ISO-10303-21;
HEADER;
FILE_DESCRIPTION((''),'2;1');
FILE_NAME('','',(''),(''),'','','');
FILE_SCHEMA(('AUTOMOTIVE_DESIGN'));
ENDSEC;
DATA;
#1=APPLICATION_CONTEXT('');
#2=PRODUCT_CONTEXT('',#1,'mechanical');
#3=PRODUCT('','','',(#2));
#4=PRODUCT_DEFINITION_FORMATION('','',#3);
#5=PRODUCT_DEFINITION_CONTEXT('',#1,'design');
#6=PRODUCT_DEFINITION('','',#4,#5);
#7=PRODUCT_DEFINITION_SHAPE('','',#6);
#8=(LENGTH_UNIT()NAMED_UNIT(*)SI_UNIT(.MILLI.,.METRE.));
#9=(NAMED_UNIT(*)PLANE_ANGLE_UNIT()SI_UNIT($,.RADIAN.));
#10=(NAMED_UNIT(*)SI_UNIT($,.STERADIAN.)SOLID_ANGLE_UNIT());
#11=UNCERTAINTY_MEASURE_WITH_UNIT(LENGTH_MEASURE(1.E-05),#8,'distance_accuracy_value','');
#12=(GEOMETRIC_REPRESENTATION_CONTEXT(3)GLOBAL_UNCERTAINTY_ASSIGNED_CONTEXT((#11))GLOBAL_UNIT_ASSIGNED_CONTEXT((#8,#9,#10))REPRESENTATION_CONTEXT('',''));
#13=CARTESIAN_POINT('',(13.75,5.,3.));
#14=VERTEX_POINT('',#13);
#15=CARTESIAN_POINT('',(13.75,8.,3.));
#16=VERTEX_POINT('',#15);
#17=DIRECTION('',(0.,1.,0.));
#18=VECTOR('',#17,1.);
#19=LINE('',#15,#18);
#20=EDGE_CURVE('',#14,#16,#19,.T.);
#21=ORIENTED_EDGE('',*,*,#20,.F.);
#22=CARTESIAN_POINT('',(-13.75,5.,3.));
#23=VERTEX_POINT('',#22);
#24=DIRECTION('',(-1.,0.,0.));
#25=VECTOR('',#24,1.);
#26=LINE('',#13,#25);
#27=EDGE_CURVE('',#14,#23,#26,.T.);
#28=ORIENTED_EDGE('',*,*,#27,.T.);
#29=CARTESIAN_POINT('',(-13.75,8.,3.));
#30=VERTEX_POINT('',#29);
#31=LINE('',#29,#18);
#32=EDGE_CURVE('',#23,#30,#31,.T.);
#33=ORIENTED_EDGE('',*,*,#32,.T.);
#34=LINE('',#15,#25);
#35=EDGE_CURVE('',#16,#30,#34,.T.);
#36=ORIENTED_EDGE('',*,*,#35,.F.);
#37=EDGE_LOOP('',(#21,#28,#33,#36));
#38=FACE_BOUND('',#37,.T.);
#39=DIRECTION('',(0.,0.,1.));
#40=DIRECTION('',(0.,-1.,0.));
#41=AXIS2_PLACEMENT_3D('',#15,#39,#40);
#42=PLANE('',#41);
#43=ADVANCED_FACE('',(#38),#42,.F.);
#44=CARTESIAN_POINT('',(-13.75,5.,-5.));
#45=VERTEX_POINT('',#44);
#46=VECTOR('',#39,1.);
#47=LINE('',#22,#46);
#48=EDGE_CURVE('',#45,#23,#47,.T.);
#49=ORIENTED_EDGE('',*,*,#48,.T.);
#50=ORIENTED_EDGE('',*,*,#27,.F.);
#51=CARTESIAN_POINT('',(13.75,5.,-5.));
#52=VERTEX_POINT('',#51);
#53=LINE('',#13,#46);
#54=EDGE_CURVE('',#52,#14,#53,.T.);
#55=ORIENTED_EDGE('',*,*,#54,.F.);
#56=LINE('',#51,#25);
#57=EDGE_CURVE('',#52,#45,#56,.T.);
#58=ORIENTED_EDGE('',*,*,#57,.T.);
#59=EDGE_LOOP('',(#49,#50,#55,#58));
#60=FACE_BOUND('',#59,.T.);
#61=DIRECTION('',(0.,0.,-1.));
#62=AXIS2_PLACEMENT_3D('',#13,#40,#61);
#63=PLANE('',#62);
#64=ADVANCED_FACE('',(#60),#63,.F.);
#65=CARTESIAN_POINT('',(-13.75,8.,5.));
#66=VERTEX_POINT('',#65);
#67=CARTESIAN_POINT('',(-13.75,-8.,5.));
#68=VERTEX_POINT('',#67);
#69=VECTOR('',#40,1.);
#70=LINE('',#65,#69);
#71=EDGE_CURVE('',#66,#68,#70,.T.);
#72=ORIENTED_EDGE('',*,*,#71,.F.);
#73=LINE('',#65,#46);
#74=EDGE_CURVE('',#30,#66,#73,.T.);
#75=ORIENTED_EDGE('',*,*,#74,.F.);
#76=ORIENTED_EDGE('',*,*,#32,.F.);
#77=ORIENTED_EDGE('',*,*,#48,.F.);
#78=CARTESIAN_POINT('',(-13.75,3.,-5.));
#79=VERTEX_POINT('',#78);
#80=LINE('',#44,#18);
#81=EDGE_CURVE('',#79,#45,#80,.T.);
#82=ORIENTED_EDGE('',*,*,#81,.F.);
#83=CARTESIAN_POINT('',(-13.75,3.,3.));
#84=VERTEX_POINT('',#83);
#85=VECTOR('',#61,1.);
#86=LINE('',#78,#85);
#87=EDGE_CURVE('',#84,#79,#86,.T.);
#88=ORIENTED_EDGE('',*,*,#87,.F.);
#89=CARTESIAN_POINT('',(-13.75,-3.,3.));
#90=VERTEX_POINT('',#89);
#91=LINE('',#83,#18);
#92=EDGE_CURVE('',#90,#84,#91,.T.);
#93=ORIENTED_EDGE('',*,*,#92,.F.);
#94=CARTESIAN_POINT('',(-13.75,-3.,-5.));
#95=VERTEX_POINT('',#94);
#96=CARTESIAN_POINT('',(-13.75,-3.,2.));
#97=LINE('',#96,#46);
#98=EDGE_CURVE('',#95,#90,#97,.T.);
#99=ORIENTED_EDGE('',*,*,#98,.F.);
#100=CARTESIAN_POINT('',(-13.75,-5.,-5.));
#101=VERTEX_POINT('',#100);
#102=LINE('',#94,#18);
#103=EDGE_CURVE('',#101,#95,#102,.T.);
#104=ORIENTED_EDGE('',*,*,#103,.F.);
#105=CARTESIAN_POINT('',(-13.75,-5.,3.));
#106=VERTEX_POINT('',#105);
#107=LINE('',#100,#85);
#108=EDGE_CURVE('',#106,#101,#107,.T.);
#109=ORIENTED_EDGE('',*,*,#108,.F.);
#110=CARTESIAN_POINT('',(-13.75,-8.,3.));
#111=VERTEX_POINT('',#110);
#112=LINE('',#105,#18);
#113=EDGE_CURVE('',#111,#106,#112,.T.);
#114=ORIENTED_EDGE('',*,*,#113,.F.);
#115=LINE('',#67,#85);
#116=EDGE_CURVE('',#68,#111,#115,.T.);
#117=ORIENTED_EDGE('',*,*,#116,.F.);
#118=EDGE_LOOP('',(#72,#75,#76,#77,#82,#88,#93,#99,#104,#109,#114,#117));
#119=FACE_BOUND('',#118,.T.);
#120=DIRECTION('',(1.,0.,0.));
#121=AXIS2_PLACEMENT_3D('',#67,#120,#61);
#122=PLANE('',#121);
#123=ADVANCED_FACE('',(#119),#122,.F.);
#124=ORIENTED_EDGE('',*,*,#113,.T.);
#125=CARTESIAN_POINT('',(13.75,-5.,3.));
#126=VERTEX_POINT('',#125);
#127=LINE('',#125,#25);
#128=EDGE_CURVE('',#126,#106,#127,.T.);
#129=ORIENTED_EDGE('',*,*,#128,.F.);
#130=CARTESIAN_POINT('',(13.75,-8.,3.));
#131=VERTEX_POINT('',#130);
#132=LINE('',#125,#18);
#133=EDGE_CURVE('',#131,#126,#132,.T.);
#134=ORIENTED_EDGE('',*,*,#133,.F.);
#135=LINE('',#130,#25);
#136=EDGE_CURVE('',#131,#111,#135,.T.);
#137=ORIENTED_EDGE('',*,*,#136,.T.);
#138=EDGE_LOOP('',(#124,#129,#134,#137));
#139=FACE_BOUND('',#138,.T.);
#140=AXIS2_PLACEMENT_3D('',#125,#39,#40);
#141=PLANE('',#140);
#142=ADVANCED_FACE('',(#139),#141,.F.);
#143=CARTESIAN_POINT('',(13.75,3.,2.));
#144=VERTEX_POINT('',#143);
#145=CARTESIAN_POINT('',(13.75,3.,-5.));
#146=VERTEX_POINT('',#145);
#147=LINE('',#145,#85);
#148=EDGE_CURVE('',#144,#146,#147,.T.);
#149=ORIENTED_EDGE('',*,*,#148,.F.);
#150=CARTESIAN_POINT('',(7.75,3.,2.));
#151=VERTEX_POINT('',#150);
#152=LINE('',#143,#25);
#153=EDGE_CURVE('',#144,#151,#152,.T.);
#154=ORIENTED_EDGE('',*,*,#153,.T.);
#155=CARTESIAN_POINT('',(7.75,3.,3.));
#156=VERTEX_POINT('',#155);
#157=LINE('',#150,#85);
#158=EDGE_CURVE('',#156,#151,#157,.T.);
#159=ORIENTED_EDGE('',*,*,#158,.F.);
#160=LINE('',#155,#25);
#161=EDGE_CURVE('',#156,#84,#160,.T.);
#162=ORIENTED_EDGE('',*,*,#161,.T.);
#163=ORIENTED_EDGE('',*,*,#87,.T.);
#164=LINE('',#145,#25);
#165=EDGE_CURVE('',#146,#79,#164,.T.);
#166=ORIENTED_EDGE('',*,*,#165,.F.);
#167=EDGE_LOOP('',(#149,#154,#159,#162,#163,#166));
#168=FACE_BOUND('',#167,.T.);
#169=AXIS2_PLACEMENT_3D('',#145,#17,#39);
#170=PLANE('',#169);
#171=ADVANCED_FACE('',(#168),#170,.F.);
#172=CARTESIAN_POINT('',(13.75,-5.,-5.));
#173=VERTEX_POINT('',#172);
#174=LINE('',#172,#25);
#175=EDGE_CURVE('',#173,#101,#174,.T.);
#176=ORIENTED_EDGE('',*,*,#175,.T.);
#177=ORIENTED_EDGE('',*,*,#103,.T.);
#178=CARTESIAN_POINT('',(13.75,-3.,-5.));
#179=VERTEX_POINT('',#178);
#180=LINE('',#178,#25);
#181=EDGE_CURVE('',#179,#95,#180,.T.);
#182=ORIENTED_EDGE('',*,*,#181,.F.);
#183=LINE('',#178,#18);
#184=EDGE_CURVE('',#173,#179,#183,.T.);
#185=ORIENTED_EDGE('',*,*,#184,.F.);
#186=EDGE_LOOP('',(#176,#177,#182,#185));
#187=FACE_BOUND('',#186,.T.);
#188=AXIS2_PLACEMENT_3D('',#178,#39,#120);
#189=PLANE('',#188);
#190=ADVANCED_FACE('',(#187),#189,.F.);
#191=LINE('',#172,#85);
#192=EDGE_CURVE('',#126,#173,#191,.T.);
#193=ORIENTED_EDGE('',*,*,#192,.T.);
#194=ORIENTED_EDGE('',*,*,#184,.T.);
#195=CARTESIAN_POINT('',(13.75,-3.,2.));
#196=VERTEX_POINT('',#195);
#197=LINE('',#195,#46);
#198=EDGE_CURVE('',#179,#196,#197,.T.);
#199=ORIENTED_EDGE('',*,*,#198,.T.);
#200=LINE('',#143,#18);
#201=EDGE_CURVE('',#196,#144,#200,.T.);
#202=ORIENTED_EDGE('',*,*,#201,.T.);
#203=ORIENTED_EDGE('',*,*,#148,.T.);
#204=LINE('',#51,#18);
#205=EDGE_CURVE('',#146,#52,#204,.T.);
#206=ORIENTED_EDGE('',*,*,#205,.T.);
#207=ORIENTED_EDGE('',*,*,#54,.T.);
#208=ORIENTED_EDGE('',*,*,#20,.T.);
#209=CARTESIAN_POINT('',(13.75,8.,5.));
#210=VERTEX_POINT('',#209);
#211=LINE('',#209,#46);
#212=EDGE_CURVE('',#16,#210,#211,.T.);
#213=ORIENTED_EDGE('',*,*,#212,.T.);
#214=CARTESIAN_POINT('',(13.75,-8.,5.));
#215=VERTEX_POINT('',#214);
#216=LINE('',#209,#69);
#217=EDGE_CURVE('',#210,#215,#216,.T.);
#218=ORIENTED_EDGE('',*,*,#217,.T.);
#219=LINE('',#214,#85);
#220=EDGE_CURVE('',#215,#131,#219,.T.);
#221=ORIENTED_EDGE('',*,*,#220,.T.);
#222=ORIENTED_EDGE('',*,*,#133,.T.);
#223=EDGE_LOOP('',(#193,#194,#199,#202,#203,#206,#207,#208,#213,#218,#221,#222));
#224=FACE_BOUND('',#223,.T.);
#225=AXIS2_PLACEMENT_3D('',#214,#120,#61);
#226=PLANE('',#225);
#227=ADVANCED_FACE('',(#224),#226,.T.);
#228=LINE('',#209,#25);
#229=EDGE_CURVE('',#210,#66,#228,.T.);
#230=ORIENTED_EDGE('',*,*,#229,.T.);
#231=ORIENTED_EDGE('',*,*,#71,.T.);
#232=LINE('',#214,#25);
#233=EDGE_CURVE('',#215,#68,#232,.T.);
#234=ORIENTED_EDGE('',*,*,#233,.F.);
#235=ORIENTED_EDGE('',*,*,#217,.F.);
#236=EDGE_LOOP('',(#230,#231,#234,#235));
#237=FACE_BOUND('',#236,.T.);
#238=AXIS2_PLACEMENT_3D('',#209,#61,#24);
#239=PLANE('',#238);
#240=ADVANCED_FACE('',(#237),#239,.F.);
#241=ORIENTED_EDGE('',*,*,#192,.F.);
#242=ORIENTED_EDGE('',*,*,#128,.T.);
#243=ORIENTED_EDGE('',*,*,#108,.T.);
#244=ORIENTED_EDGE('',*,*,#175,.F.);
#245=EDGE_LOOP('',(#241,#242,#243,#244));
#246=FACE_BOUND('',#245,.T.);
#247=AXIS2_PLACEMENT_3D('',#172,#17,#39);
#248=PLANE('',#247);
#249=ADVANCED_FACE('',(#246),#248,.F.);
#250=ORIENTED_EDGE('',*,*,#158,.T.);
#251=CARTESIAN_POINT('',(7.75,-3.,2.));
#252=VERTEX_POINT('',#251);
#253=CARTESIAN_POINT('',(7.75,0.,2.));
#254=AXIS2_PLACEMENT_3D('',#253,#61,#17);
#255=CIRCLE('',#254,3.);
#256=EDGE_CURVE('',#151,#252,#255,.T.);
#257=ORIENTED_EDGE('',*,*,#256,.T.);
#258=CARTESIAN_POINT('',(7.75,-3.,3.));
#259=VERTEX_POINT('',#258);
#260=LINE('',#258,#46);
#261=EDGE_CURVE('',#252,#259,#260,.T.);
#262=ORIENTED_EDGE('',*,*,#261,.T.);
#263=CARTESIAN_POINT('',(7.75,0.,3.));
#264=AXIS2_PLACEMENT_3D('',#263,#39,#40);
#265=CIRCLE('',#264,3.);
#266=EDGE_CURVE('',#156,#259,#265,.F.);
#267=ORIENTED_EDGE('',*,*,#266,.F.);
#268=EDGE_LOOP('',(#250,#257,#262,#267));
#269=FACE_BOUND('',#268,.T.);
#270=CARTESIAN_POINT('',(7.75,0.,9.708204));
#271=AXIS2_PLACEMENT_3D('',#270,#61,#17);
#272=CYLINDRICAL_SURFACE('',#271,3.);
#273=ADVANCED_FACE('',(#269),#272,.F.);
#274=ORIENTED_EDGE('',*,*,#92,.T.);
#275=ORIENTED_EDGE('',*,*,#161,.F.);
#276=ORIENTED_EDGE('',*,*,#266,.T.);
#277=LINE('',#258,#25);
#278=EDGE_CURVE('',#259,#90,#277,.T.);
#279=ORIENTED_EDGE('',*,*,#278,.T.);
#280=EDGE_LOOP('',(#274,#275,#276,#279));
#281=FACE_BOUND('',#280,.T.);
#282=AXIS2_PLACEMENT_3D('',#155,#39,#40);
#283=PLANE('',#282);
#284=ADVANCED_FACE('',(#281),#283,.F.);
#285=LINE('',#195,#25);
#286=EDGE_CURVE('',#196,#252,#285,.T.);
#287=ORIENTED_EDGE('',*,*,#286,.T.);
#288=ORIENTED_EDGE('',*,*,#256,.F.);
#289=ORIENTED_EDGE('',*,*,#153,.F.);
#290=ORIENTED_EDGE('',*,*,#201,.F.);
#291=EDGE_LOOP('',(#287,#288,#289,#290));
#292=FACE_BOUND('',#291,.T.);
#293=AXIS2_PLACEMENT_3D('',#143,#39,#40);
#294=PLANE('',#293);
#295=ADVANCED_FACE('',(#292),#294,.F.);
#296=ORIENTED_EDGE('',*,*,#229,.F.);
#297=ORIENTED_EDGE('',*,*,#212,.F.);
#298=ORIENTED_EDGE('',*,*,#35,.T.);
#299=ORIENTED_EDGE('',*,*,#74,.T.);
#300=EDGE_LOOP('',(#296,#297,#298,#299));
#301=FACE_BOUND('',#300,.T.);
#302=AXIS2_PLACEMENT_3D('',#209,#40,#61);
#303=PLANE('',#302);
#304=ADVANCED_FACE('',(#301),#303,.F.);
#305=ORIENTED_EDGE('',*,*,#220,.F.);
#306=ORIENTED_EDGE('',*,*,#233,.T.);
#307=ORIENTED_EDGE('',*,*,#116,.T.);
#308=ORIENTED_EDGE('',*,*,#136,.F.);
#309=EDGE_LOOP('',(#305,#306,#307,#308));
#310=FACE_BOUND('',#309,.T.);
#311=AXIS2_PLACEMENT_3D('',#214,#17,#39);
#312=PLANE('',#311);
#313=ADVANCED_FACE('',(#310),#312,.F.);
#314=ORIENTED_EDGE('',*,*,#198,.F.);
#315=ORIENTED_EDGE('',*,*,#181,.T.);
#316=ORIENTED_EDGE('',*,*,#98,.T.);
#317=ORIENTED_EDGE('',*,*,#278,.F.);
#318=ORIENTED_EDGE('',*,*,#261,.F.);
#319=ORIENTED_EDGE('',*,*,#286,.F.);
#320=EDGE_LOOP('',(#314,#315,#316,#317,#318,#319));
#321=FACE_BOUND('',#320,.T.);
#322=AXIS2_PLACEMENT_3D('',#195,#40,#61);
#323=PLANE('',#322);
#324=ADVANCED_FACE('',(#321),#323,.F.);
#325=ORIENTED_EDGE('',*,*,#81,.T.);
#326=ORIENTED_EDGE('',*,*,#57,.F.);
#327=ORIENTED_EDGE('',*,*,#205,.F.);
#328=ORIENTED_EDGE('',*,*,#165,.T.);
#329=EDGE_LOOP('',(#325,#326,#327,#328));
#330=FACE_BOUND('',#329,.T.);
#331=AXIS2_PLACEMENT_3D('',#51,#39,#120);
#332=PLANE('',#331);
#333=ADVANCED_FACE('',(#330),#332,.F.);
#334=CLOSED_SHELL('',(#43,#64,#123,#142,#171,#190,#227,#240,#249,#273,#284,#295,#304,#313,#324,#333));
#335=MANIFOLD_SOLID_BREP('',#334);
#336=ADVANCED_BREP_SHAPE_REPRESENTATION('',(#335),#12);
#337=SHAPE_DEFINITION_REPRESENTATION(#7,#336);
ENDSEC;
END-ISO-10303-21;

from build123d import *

# Parameters (mm, degrees)
EXTRUDE1_DEPTH = 13.75
SKETCH2_W      = 1
SKETCH2_H      = 6
EXTRUDE2_DEPTH = 21.5
EXTRUDE3_DEPTH = 1


with BuildPart() as part:
    # Sketch1 → Extrude1 (new body, symmetric)
    with BuildSketch(Plane(origin=(0, 0, 0), x_dir=(0, 0, -1), z_dir=(1, 0, 0))):
        Polygon((-3, 8), (-3, 5), (5, 5), (5, 3), (-2, 3), (-2, -3), (5, -3), (5, -5), (-3, -5), (-3, -8), (-5, -8), (-5, 8), align=None)
    extrude(amount=EXTRUDE1_DEPTH, both=True)

    # Sketch2 → Extrude2 (cut)
    with BuildSketch(Plane.ZY.offset(13.75)):
        with Locations((2.5, 0)):
            Rectangle(SKETCH2_W, SKETCH2_H)
    extrude(amount=-EXTRUDE2_DEPTH, mode=Mode.SUBTRACT)

    # Sketch3 → Extrude3 (cut)
    with BuildSketch(Plane(origin=(0, 0, 2), x_dir=(-1, 0, 0), z_dir=(0, 0, -1))):
        with BuildLine():
            Line((-7.75, 3), (-7.75, -3))
            ThreePointArc((-7.75, -3), (-10.75, 0), (-7.75, 3))
        make_face()
    extrude(amount=-EXTRUDE3_DEPTH, mode=Mode.SUBTRACT)


solid = part.part
